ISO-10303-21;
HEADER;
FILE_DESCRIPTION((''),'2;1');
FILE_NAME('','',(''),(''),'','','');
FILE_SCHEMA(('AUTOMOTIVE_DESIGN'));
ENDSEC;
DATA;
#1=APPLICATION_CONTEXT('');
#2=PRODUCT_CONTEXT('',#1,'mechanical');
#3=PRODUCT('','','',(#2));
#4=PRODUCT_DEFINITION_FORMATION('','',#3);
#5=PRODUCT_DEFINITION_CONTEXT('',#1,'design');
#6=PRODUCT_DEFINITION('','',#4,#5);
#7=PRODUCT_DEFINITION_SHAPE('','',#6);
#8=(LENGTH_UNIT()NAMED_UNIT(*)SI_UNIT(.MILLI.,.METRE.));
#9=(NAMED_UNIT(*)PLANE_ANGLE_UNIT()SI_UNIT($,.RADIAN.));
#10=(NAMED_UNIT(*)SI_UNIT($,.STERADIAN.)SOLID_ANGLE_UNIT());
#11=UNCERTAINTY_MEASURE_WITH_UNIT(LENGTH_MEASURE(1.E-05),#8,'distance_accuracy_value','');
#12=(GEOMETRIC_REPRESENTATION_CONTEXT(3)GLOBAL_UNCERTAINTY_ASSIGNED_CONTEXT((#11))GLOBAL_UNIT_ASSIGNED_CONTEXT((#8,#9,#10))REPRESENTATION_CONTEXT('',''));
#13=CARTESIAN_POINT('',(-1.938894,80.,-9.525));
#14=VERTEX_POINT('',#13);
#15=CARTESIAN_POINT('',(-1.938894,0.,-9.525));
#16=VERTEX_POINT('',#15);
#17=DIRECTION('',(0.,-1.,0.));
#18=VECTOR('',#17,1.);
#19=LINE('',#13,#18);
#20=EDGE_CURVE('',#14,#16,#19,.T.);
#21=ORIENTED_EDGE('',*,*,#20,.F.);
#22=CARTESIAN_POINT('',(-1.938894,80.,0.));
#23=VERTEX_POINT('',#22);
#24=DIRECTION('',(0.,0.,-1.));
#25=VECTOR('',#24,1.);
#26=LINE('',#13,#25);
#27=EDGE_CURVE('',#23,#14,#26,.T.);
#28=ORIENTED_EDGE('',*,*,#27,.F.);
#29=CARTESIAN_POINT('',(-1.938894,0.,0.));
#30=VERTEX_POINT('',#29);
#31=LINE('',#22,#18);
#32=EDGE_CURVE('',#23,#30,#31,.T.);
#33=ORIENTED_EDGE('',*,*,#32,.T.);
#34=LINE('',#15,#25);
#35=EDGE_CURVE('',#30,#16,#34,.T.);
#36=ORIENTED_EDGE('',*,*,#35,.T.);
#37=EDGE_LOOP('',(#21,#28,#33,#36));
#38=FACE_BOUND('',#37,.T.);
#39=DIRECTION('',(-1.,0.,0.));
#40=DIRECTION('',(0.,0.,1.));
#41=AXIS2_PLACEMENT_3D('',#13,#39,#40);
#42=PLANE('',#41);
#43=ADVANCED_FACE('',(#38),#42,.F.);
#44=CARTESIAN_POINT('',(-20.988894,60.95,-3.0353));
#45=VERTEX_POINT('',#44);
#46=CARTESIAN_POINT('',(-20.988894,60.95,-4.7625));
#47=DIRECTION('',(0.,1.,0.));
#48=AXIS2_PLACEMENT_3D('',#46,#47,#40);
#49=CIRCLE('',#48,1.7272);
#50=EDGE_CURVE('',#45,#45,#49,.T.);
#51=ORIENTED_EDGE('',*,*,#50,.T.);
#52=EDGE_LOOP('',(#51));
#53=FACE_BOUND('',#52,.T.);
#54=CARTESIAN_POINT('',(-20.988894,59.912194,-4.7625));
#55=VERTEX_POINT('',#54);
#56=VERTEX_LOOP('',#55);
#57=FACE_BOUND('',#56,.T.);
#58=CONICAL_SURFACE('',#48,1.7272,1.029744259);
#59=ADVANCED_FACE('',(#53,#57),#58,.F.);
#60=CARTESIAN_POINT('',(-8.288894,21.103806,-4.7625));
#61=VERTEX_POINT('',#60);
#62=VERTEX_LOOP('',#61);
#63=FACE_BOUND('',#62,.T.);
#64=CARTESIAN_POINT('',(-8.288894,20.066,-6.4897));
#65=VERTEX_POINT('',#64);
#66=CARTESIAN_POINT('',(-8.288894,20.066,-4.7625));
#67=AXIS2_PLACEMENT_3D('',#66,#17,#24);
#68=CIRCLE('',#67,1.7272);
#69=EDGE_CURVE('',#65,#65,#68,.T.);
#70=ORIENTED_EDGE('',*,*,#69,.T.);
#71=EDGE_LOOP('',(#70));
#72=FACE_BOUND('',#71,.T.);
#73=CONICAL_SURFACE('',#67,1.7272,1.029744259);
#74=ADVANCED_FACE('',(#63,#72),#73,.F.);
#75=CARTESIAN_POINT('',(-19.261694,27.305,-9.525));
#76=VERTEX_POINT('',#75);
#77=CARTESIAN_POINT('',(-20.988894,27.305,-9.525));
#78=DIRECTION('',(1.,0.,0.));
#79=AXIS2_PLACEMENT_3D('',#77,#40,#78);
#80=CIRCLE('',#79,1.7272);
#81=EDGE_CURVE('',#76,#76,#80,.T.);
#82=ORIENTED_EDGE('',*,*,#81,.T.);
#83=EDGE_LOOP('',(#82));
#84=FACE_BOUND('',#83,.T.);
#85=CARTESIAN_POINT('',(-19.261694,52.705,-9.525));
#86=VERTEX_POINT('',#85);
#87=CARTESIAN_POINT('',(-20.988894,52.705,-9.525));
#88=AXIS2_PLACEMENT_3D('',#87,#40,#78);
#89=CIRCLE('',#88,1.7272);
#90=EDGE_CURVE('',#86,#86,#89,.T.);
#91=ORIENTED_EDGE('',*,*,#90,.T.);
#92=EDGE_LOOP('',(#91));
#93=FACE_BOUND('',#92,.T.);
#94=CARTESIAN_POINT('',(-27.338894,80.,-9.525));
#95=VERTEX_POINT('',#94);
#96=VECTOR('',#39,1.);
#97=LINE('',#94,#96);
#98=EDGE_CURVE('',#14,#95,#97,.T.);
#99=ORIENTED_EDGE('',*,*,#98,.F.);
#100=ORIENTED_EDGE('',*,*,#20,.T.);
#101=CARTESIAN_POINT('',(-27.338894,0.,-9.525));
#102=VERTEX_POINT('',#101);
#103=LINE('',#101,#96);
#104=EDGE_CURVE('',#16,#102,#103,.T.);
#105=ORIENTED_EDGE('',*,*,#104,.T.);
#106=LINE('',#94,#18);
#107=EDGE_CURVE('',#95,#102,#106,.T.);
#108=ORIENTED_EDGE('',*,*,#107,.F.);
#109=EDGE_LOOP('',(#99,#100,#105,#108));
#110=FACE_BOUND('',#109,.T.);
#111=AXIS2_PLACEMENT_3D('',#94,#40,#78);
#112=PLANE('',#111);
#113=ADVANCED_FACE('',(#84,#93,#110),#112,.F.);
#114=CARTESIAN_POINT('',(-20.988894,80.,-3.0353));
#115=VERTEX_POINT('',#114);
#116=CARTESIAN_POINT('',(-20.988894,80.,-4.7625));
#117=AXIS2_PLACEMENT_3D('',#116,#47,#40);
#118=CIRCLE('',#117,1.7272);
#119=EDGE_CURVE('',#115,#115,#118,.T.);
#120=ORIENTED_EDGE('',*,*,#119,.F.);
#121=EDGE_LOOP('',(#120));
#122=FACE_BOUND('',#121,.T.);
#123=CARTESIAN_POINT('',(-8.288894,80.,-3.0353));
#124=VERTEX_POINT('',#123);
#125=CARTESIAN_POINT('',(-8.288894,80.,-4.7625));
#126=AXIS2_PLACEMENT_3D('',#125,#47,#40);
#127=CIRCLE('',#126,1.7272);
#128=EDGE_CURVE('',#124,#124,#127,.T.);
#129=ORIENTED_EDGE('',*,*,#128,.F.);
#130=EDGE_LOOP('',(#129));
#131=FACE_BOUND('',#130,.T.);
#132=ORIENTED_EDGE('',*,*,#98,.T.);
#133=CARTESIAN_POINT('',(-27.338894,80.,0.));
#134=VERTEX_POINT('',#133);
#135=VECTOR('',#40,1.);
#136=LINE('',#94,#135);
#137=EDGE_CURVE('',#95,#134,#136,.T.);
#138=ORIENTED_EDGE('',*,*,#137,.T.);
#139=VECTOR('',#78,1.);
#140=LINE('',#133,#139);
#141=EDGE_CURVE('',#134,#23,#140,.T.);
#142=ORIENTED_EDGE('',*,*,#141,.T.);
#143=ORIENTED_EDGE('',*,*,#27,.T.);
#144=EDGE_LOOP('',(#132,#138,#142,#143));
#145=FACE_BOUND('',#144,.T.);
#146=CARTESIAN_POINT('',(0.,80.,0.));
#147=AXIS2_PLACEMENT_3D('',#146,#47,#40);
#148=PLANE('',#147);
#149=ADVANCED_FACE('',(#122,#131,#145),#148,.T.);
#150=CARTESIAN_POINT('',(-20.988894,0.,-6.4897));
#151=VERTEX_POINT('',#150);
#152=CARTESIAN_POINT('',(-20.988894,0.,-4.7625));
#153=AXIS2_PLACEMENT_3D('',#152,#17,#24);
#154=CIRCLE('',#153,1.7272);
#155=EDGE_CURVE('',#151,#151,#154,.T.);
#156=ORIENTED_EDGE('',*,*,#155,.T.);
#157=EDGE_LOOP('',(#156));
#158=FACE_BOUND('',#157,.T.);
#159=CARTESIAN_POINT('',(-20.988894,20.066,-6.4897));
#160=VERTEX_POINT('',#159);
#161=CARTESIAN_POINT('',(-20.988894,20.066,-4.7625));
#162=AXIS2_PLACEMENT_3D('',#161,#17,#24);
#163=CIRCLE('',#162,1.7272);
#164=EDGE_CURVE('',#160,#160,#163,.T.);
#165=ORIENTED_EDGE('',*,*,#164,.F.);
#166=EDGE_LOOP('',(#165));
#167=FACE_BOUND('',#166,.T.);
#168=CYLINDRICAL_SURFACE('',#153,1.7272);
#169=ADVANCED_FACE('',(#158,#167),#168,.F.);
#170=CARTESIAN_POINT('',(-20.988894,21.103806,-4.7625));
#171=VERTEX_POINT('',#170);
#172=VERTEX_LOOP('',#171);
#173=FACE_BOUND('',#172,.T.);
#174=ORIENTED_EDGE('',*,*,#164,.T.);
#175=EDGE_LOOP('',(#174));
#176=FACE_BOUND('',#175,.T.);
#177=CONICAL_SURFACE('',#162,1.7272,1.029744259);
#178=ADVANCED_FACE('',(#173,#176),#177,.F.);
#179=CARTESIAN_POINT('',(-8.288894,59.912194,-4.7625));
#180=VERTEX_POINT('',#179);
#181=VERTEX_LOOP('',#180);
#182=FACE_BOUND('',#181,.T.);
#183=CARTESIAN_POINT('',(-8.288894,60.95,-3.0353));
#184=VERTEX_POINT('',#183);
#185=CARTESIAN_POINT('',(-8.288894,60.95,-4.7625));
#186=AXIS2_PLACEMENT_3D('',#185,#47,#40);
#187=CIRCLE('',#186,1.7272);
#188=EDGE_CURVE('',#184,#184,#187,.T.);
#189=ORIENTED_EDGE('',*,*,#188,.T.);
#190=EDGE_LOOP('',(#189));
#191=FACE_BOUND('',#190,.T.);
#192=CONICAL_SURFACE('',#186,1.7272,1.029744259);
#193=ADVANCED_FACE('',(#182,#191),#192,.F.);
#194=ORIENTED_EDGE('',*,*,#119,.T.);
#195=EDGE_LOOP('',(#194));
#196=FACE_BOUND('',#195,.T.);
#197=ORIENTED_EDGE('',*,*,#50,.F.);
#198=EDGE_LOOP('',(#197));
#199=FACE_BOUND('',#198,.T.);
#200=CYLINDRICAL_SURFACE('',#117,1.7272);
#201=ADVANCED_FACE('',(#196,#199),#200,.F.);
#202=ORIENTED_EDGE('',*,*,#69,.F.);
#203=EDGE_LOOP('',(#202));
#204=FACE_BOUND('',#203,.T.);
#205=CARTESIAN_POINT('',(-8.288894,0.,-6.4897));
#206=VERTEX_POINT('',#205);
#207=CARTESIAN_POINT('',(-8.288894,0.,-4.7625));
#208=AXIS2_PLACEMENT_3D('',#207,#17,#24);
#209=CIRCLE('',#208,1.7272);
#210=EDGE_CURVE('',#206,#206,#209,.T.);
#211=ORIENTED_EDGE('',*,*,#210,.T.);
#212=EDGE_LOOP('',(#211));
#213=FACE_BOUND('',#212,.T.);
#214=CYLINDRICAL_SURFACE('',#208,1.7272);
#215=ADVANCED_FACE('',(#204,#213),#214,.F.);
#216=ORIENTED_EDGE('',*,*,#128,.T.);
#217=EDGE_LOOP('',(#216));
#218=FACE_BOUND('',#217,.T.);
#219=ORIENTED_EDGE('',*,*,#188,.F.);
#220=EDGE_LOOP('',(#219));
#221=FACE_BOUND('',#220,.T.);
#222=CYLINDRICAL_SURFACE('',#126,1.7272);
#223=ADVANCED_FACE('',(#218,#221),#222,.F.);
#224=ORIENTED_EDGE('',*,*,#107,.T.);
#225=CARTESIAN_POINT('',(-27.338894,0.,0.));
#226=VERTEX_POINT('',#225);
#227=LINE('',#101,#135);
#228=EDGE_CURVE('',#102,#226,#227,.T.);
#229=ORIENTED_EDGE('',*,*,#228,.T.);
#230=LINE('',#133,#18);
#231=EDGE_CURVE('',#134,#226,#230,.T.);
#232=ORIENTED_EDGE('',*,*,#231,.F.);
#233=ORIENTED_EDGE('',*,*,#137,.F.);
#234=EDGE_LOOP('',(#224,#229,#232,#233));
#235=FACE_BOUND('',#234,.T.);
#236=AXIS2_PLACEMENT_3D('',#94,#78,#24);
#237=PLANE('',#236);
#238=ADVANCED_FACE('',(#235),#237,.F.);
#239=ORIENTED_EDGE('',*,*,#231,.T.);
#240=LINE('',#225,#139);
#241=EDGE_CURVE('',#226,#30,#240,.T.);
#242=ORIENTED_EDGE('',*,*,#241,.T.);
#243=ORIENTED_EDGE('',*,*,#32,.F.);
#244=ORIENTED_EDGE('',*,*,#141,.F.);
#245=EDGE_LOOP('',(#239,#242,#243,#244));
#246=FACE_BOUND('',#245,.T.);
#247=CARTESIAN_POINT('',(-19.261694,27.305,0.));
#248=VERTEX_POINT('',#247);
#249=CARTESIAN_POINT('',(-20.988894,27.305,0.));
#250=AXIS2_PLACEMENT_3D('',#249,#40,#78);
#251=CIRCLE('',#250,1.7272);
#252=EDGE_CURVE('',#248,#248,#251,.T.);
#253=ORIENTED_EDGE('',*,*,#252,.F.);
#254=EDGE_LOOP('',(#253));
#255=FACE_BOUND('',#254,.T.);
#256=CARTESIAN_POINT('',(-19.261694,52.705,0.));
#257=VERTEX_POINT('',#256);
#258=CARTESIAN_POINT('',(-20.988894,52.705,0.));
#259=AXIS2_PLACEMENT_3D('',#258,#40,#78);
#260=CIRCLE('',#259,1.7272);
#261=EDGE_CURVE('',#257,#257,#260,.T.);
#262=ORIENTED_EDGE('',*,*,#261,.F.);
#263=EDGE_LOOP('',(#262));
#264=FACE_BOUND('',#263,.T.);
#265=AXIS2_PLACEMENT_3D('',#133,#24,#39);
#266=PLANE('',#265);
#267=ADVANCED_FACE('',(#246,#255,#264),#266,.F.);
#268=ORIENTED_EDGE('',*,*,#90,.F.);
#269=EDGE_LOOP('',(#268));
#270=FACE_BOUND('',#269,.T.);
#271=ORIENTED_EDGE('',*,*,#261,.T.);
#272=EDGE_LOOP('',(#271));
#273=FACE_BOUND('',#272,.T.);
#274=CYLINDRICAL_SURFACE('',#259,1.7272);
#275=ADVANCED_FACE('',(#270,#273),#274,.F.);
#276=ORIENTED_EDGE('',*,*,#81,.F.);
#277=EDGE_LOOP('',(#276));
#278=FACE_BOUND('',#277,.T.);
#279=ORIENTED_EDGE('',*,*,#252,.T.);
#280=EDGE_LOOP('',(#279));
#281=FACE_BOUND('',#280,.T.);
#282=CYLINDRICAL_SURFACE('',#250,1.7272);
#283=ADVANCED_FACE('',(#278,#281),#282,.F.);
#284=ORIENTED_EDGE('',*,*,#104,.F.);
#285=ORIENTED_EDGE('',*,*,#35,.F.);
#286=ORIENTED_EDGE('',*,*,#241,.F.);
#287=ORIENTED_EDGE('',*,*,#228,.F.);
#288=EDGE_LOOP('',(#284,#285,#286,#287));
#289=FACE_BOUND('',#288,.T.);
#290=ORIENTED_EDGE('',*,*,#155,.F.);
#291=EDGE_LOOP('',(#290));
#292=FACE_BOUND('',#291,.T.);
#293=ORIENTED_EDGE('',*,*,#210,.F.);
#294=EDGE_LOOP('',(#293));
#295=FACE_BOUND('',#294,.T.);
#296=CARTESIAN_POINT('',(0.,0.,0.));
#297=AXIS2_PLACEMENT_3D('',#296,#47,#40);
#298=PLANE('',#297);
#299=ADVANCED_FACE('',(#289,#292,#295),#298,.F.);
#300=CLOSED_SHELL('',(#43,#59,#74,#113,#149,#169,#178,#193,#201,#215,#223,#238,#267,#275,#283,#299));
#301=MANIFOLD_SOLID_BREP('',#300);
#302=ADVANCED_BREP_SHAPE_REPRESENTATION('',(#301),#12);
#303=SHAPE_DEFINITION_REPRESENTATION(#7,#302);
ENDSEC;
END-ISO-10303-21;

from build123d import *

# Parameters (mm, degrees)
SKETCH1_W                 = 25.4
SKETCH1_H                 = 9.525
BOSS_EXTRUDE1_DEPTH       = 80
F_8_32_TAPPED_HOLE1_D     = 3.4544
F_8_32_TAPPED_HOLE1_DEPTH = 19.05
F_8_32_TAPPED_HOLE1_TIP   = 1.037806461
F_8_32_TAPPED_HOLE2_D     = 3.4544
F_8_32_TAPPED_HOLE2_DEPTH = 20.066
F_8_32_TAPPED_HOLE2_TIP   = 1.037806461
F_8_32_TAPPED_HOLE3_D     = 3.4544


with BuildPart() as part:
    # Sketch1 → Boss-Extrude1 (new body)
    with BuildSketch(Plane(origin=(0, 0, 0), x_dir=(1, 0, 0), z_dir=(0, 1, 0))):
        with Locations((-14.638893842, 4.7625)):
            Rectangle(SKETCH1_W, SKETCH1_H)
    extrude(amount=BOSS_EXTRUDE1_DEPTH)

    # #8-32 Tapped Hole1
    with Locations(Plane(origin=(0, 80, 0), x_dir=(1, 0, 0), z_dir=(0, 1, 0))):
        with Locations((-8.288893842, 4.7625), (-20.988893842, 4.7625)):
            Hole(F_8_32_TAPPED_HOLE1_D / 2, depth=F_8_32_TAPPED_HOLE1_DEPTH)
            with Locations((0, 0, -(F_8_32_TAPPED_HOLE1_DEPTH + F_8_32_TAPPED_HOLE1_TIP / 2))):  # 118° drill point
                Cone(0, F_8_32_TAPPED_HOLE1_D / 2, F_8_32_TAPPED_HOLE1_TIP, mode=Mode.SUBTRACT)

    # #8-32 Tapped Hole2
    with Locations(Plane(origin=(0, 0, 0), x_dir=(-1, 0, 0), z_dir=(0, -1, 0))):
        with Locations((20.988893842, 4.7625), (8.288893842, 4.7625)):
            Hole(F_8_32_TAPPED_HOLE2_D / 2, depth=F_8_32_TAPPED_HOLE2_DEPTH)
            with Locations((0, 0, -(F_8_32_TAPPED_HOLE2_DEPTH + F_8_32_TAPPED_HOLE2_TIP / 2))):  # 118° drill point
                Cone(0, F_8_32_TAPPED_HOLE2_D / 2, F_8_32_TAPPED_HOLE2_TIP, mode=Mode.SUBTRACT)

    # #8-32 Tapped Hole3 (through all)
    with Locations(Plane.XY):
        with Locations((-20.988893842, 52.705), (-20.988893842, 27.305)):
            Hole(F_8_32_TAPPED_HOLE3_D / 2)


solid = part.part
